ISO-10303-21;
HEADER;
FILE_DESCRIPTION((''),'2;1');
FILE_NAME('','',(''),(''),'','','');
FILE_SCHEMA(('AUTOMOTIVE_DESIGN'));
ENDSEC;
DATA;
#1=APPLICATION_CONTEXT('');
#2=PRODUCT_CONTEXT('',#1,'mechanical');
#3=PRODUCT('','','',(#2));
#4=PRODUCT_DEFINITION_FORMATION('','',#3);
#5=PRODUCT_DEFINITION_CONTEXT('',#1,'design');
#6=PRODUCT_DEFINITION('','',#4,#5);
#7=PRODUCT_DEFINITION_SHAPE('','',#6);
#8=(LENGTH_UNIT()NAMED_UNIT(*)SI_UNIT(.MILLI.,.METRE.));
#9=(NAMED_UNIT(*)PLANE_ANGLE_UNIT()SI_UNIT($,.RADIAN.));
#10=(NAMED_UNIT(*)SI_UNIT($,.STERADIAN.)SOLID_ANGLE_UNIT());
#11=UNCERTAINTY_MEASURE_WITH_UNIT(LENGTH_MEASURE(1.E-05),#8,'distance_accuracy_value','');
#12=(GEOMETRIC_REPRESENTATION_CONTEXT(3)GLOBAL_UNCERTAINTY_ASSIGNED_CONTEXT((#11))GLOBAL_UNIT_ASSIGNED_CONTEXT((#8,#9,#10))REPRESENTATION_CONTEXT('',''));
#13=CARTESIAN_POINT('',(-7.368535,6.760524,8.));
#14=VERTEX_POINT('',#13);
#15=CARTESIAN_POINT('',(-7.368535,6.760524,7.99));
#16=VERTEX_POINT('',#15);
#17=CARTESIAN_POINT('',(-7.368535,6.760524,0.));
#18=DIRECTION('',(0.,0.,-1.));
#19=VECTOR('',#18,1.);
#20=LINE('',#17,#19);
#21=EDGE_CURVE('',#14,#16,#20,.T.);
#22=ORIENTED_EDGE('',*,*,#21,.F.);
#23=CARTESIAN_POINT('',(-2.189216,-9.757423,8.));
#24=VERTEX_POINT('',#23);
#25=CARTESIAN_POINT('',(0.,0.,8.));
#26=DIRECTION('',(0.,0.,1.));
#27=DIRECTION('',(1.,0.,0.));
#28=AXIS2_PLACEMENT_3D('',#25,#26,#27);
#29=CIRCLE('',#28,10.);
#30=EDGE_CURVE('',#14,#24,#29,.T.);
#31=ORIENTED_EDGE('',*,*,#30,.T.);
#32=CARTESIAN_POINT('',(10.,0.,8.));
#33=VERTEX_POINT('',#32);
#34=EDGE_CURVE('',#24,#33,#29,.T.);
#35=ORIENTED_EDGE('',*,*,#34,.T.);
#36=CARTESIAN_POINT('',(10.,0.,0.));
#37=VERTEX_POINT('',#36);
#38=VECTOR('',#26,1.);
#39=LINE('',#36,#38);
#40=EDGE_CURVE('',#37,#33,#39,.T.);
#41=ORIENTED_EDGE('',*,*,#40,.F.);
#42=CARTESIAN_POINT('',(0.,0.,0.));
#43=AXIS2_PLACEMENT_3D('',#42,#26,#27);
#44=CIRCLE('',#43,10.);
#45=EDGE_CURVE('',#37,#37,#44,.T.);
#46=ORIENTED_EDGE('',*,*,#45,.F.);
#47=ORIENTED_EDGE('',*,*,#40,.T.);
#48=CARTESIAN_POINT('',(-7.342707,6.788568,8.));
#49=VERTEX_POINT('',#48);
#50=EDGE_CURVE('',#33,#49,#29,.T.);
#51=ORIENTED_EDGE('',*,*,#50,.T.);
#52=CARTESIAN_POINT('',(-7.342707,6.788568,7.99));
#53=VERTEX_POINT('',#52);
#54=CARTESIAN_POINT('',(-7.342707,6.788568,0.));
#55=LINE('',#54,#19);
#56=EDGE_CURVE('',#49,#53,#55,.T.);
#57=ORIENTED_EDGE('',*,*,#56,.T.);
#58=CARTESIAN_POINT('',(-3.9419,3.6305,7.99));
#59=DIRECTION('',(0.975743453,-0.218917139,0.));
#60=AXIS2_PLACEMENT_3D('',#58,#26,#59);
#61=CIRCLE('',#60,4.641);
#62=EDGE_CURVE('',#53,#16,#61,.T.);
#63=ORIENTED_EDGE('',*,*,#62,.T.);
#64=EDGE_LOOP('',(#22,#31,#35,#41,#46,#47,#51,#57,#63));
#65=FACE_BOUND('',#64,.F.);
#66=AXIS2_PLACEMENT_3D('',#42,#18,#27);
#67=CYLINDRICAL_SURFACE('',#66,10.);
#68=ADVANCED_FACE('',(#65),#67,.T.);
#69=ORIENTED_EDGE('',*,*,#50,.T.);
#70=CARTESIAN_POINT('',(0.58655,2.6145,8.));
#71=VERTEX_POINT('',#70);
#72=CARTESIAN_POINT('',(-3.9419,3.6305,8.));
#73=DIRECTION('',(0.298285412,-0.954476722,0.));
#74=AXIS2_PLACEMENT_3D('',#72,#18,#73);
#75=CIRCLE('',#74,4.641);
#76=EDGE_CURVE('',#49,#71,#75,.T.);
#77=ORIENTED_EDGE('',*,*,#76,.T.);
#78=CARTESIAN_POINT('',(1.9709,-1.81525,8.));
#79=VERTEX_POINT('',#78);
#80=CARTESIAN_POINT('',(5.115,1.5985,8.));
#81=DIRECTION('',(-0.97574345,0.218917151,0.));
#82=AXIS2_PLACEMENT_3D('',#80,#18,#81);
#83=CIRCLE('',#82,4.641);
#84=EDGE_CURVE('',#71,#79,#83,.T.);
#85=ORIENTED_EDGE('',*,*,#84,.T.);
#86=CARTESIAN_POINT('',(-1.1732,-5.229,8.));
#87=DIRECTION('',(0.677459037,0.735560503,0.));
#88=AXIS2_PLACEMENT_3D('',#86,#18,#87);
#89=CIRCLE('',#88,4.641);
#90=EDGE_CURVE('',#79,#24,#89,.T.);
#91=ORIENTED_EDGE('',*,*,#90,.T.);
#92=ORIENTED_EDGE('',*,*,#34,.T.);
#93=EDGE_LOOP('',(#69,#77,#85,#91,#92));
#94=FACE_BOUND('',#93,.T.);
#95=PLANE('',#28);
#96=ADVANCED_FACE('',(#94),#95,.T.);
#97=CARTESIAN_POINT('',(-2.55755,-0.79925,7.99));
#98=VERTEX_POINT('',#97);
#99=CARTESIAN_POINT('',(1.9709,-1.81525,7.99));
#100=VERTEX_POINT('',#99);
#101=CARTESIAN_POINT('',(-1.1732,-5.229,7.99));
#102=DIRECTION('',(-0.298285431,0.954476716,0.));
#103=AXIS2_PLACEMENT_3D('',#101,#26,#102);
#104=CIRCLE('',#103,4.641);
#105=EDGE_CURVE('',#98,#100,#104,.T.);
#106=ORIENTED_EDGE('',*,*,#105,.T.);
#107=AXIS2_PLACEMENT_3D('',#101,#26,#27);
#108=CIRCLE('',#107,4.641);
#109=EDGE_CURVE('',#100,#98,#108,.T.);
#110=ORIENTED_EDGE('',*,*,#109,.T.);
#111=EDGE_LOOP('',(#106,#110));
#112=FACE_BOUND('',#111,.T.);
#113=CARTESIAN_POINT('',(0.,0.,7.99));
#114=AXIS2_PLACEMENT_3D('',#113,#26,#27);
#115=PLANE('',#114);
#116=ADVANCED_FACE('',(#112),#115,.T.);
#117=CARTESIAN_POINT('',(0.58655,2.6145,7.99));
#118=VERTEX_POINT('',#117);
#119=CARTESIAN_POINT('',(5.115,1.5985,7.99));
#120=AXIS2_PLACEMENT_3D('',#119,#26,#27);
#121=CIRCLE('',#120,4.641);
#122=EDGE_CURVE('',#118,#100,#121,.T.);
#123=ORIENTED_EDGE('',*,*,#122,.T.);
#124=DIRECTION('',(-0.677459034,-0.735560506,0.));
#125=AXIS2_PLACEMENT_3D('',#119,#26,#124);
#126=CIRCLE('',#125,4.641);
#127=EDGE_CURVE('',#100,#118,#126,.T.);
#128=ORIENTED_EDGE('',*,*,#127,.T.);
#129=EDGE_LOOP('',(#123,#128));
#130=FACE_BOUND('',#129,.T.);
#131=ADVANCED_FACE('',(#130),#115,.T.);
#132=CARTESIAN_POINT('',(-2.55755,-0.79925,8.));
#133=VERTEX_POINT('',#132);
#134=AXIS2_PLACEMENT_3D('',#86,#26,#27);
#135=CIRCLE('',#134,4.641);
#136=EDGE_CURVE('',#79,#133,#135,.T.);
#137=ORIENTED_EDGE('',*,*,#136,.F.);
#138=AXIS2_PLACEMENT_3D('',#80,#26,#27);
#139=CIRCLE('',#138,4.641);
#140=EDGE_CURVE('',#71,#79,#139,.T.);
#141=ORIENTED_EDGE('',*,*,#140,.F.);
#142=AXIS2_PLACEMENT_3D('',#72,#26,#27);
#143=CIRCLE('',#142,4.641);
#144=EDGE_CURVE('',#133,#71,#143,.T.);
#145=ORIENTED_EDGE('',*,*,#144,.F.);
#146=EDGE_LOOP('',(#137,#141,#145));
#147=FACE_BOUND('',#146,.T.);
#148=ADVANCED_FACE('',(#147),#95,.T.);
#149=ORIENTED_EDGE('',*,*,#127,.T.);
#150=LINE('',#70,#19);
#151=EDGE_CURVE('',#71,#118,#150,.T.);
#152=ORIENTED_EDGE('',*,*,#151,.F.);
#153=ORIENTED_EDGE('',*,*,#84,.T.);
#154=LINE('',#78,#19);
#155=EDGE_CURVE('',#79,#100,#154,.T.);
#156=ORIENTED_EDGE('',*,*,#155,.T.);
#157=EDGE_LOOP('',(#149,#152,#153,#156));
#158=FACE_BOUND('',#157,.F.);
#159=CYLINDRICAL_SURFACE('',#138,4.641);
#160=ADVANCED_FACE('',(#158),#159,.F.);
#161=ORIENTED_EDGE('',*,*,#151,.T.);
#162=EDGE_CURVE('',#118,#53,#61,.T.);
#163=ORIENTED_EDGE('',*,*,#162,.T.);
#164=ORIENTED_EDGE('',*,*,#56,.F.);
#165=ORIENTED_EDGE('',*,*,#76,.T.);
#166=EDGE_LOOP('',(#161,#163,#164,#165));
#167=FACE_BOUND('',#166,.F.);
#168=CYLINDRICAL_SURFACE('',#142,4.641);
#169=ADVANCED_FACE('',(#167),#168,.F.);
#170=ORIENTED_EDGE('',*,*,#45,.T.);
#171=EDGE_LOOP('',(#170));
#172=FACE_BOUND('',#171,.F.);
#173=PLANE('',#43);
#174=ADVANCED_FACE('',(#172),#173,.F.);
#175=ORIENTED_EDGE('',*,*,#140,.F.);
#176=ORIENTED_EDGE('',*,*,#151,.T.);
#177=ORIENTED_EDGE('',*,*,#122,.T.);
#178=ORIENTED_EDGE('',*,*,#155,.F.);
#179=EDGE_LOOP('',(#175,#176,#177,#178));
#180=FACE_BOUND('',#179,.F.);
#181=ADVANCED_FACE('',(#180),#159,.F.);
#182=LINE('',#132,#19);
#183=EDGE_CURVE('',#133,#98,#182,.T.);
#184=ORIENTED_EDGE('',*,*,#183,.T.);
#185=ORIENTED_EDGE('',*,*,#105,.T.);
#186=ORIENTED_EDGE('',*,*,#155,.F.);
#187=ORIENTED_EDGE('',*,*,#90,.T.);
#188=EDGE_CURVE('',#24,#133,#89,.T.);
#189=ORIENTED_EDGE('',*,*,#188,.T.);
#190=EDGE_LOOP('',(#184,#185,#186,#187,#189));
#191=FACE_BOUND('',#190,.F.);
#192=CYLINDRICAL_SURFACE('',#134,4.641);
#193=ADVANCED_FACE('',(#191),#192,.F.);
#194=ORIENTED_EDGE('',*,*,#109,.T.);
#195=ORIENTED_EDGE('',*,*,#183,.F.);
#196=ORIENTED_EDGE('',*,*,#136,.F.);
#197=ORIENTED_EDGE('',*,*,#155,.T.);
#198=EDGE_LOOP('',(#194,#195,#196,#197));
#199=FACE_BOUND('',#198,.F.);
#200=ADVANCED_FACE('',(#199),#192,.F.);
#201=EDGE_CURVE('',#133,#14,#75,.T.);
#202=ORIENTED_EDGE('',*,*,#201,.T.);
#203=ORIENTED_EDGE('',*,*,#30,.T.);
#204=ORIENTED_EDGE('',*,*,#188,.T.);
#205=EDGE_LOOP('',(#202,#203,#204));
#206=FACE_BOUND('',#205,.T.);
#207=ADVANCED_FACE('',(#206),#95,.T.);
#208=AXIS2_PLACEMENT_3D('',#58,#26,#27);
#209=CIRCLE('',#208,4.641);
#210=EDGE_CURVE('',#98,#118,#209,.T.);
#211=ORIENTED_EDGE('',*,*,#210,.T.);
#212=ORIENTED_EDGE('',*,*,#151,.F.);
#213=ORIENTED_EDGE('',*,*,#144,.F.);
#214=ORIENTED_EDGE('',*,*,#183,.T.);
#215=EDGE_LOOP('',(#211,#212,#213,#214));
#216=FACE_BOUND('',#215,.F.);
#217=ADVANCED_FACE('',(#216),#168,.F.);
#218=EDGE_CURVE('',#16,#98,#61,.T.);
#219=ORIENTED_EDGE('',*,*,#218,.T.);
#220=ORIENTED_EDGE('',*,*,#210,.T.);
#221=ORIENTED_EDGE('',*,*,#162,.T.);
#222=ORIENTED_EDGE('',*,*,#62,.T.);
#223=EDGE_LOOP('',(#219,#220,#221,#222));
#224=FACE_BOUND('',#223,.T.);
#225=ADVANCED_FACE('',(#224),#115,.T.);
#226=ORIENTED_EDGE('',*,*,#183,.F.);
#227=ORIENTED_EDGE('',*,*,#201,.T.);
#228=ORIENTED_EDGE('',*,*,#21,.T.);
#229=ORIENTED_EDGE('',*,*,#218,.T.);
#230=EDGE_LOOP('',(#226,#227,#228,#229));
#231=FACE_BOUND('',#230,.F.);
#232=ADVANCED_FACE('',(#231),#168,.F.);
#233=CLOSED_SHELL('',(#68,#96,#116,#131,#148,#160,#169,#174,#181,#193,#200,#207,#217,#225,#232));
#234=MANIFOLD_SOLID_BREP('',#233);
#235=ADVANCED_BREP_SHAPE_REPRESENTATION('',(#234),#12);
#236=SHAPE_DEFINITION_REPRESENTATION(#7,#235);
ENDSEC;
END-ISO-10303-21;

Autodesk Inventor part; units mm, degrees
ref_plane "YZ Plane" through (0, 0, 0) normal (1, 0, 0) x (0, 1, 0)
ref_plane "XZ Plane" through (0, 0, 0) normal (0, 1, 0) x (-1, 0, 0)
ref_plane "XY Plane" through (0, 0, 0) normal (0, 0, 1) x (1, 0, 0)
sketch "Sketch1" plane through (0, 0, 0) normal (0, 0, 1) x (1, 0, 0)
  circle A0 centre (0, 0) radius 10
  dimension "d0" = 20
extrude "Extrusion1" add sketch "Sketch1" along normal blind 8
sketch "Sketch2" plane through (0, 0, 8) normal (0, 0, 1) x (1, 0, 0)
  circle A0 centre (-3.9419, 3.6305) radius 4.641
  circle A1 centre (5.115, 1.5985) radius 4.641
  circle A2 centre (-1.1732, -5.229) radius 4.641
  circle A3 centre (0, 0) radius 10 projected
  circle A4 centre (0, 0) radius 10 projected
  point P0 (1.9709, -1.8152)
  point P1 (-2.5575, -0.7993)
  point P2 (0.5866, 2.6145)
extrude "Extrusion2" cut sketch "Sketch2" against normal blind 0.01 contours A0 | A1 | A2
properties part number "LED and carclo"
